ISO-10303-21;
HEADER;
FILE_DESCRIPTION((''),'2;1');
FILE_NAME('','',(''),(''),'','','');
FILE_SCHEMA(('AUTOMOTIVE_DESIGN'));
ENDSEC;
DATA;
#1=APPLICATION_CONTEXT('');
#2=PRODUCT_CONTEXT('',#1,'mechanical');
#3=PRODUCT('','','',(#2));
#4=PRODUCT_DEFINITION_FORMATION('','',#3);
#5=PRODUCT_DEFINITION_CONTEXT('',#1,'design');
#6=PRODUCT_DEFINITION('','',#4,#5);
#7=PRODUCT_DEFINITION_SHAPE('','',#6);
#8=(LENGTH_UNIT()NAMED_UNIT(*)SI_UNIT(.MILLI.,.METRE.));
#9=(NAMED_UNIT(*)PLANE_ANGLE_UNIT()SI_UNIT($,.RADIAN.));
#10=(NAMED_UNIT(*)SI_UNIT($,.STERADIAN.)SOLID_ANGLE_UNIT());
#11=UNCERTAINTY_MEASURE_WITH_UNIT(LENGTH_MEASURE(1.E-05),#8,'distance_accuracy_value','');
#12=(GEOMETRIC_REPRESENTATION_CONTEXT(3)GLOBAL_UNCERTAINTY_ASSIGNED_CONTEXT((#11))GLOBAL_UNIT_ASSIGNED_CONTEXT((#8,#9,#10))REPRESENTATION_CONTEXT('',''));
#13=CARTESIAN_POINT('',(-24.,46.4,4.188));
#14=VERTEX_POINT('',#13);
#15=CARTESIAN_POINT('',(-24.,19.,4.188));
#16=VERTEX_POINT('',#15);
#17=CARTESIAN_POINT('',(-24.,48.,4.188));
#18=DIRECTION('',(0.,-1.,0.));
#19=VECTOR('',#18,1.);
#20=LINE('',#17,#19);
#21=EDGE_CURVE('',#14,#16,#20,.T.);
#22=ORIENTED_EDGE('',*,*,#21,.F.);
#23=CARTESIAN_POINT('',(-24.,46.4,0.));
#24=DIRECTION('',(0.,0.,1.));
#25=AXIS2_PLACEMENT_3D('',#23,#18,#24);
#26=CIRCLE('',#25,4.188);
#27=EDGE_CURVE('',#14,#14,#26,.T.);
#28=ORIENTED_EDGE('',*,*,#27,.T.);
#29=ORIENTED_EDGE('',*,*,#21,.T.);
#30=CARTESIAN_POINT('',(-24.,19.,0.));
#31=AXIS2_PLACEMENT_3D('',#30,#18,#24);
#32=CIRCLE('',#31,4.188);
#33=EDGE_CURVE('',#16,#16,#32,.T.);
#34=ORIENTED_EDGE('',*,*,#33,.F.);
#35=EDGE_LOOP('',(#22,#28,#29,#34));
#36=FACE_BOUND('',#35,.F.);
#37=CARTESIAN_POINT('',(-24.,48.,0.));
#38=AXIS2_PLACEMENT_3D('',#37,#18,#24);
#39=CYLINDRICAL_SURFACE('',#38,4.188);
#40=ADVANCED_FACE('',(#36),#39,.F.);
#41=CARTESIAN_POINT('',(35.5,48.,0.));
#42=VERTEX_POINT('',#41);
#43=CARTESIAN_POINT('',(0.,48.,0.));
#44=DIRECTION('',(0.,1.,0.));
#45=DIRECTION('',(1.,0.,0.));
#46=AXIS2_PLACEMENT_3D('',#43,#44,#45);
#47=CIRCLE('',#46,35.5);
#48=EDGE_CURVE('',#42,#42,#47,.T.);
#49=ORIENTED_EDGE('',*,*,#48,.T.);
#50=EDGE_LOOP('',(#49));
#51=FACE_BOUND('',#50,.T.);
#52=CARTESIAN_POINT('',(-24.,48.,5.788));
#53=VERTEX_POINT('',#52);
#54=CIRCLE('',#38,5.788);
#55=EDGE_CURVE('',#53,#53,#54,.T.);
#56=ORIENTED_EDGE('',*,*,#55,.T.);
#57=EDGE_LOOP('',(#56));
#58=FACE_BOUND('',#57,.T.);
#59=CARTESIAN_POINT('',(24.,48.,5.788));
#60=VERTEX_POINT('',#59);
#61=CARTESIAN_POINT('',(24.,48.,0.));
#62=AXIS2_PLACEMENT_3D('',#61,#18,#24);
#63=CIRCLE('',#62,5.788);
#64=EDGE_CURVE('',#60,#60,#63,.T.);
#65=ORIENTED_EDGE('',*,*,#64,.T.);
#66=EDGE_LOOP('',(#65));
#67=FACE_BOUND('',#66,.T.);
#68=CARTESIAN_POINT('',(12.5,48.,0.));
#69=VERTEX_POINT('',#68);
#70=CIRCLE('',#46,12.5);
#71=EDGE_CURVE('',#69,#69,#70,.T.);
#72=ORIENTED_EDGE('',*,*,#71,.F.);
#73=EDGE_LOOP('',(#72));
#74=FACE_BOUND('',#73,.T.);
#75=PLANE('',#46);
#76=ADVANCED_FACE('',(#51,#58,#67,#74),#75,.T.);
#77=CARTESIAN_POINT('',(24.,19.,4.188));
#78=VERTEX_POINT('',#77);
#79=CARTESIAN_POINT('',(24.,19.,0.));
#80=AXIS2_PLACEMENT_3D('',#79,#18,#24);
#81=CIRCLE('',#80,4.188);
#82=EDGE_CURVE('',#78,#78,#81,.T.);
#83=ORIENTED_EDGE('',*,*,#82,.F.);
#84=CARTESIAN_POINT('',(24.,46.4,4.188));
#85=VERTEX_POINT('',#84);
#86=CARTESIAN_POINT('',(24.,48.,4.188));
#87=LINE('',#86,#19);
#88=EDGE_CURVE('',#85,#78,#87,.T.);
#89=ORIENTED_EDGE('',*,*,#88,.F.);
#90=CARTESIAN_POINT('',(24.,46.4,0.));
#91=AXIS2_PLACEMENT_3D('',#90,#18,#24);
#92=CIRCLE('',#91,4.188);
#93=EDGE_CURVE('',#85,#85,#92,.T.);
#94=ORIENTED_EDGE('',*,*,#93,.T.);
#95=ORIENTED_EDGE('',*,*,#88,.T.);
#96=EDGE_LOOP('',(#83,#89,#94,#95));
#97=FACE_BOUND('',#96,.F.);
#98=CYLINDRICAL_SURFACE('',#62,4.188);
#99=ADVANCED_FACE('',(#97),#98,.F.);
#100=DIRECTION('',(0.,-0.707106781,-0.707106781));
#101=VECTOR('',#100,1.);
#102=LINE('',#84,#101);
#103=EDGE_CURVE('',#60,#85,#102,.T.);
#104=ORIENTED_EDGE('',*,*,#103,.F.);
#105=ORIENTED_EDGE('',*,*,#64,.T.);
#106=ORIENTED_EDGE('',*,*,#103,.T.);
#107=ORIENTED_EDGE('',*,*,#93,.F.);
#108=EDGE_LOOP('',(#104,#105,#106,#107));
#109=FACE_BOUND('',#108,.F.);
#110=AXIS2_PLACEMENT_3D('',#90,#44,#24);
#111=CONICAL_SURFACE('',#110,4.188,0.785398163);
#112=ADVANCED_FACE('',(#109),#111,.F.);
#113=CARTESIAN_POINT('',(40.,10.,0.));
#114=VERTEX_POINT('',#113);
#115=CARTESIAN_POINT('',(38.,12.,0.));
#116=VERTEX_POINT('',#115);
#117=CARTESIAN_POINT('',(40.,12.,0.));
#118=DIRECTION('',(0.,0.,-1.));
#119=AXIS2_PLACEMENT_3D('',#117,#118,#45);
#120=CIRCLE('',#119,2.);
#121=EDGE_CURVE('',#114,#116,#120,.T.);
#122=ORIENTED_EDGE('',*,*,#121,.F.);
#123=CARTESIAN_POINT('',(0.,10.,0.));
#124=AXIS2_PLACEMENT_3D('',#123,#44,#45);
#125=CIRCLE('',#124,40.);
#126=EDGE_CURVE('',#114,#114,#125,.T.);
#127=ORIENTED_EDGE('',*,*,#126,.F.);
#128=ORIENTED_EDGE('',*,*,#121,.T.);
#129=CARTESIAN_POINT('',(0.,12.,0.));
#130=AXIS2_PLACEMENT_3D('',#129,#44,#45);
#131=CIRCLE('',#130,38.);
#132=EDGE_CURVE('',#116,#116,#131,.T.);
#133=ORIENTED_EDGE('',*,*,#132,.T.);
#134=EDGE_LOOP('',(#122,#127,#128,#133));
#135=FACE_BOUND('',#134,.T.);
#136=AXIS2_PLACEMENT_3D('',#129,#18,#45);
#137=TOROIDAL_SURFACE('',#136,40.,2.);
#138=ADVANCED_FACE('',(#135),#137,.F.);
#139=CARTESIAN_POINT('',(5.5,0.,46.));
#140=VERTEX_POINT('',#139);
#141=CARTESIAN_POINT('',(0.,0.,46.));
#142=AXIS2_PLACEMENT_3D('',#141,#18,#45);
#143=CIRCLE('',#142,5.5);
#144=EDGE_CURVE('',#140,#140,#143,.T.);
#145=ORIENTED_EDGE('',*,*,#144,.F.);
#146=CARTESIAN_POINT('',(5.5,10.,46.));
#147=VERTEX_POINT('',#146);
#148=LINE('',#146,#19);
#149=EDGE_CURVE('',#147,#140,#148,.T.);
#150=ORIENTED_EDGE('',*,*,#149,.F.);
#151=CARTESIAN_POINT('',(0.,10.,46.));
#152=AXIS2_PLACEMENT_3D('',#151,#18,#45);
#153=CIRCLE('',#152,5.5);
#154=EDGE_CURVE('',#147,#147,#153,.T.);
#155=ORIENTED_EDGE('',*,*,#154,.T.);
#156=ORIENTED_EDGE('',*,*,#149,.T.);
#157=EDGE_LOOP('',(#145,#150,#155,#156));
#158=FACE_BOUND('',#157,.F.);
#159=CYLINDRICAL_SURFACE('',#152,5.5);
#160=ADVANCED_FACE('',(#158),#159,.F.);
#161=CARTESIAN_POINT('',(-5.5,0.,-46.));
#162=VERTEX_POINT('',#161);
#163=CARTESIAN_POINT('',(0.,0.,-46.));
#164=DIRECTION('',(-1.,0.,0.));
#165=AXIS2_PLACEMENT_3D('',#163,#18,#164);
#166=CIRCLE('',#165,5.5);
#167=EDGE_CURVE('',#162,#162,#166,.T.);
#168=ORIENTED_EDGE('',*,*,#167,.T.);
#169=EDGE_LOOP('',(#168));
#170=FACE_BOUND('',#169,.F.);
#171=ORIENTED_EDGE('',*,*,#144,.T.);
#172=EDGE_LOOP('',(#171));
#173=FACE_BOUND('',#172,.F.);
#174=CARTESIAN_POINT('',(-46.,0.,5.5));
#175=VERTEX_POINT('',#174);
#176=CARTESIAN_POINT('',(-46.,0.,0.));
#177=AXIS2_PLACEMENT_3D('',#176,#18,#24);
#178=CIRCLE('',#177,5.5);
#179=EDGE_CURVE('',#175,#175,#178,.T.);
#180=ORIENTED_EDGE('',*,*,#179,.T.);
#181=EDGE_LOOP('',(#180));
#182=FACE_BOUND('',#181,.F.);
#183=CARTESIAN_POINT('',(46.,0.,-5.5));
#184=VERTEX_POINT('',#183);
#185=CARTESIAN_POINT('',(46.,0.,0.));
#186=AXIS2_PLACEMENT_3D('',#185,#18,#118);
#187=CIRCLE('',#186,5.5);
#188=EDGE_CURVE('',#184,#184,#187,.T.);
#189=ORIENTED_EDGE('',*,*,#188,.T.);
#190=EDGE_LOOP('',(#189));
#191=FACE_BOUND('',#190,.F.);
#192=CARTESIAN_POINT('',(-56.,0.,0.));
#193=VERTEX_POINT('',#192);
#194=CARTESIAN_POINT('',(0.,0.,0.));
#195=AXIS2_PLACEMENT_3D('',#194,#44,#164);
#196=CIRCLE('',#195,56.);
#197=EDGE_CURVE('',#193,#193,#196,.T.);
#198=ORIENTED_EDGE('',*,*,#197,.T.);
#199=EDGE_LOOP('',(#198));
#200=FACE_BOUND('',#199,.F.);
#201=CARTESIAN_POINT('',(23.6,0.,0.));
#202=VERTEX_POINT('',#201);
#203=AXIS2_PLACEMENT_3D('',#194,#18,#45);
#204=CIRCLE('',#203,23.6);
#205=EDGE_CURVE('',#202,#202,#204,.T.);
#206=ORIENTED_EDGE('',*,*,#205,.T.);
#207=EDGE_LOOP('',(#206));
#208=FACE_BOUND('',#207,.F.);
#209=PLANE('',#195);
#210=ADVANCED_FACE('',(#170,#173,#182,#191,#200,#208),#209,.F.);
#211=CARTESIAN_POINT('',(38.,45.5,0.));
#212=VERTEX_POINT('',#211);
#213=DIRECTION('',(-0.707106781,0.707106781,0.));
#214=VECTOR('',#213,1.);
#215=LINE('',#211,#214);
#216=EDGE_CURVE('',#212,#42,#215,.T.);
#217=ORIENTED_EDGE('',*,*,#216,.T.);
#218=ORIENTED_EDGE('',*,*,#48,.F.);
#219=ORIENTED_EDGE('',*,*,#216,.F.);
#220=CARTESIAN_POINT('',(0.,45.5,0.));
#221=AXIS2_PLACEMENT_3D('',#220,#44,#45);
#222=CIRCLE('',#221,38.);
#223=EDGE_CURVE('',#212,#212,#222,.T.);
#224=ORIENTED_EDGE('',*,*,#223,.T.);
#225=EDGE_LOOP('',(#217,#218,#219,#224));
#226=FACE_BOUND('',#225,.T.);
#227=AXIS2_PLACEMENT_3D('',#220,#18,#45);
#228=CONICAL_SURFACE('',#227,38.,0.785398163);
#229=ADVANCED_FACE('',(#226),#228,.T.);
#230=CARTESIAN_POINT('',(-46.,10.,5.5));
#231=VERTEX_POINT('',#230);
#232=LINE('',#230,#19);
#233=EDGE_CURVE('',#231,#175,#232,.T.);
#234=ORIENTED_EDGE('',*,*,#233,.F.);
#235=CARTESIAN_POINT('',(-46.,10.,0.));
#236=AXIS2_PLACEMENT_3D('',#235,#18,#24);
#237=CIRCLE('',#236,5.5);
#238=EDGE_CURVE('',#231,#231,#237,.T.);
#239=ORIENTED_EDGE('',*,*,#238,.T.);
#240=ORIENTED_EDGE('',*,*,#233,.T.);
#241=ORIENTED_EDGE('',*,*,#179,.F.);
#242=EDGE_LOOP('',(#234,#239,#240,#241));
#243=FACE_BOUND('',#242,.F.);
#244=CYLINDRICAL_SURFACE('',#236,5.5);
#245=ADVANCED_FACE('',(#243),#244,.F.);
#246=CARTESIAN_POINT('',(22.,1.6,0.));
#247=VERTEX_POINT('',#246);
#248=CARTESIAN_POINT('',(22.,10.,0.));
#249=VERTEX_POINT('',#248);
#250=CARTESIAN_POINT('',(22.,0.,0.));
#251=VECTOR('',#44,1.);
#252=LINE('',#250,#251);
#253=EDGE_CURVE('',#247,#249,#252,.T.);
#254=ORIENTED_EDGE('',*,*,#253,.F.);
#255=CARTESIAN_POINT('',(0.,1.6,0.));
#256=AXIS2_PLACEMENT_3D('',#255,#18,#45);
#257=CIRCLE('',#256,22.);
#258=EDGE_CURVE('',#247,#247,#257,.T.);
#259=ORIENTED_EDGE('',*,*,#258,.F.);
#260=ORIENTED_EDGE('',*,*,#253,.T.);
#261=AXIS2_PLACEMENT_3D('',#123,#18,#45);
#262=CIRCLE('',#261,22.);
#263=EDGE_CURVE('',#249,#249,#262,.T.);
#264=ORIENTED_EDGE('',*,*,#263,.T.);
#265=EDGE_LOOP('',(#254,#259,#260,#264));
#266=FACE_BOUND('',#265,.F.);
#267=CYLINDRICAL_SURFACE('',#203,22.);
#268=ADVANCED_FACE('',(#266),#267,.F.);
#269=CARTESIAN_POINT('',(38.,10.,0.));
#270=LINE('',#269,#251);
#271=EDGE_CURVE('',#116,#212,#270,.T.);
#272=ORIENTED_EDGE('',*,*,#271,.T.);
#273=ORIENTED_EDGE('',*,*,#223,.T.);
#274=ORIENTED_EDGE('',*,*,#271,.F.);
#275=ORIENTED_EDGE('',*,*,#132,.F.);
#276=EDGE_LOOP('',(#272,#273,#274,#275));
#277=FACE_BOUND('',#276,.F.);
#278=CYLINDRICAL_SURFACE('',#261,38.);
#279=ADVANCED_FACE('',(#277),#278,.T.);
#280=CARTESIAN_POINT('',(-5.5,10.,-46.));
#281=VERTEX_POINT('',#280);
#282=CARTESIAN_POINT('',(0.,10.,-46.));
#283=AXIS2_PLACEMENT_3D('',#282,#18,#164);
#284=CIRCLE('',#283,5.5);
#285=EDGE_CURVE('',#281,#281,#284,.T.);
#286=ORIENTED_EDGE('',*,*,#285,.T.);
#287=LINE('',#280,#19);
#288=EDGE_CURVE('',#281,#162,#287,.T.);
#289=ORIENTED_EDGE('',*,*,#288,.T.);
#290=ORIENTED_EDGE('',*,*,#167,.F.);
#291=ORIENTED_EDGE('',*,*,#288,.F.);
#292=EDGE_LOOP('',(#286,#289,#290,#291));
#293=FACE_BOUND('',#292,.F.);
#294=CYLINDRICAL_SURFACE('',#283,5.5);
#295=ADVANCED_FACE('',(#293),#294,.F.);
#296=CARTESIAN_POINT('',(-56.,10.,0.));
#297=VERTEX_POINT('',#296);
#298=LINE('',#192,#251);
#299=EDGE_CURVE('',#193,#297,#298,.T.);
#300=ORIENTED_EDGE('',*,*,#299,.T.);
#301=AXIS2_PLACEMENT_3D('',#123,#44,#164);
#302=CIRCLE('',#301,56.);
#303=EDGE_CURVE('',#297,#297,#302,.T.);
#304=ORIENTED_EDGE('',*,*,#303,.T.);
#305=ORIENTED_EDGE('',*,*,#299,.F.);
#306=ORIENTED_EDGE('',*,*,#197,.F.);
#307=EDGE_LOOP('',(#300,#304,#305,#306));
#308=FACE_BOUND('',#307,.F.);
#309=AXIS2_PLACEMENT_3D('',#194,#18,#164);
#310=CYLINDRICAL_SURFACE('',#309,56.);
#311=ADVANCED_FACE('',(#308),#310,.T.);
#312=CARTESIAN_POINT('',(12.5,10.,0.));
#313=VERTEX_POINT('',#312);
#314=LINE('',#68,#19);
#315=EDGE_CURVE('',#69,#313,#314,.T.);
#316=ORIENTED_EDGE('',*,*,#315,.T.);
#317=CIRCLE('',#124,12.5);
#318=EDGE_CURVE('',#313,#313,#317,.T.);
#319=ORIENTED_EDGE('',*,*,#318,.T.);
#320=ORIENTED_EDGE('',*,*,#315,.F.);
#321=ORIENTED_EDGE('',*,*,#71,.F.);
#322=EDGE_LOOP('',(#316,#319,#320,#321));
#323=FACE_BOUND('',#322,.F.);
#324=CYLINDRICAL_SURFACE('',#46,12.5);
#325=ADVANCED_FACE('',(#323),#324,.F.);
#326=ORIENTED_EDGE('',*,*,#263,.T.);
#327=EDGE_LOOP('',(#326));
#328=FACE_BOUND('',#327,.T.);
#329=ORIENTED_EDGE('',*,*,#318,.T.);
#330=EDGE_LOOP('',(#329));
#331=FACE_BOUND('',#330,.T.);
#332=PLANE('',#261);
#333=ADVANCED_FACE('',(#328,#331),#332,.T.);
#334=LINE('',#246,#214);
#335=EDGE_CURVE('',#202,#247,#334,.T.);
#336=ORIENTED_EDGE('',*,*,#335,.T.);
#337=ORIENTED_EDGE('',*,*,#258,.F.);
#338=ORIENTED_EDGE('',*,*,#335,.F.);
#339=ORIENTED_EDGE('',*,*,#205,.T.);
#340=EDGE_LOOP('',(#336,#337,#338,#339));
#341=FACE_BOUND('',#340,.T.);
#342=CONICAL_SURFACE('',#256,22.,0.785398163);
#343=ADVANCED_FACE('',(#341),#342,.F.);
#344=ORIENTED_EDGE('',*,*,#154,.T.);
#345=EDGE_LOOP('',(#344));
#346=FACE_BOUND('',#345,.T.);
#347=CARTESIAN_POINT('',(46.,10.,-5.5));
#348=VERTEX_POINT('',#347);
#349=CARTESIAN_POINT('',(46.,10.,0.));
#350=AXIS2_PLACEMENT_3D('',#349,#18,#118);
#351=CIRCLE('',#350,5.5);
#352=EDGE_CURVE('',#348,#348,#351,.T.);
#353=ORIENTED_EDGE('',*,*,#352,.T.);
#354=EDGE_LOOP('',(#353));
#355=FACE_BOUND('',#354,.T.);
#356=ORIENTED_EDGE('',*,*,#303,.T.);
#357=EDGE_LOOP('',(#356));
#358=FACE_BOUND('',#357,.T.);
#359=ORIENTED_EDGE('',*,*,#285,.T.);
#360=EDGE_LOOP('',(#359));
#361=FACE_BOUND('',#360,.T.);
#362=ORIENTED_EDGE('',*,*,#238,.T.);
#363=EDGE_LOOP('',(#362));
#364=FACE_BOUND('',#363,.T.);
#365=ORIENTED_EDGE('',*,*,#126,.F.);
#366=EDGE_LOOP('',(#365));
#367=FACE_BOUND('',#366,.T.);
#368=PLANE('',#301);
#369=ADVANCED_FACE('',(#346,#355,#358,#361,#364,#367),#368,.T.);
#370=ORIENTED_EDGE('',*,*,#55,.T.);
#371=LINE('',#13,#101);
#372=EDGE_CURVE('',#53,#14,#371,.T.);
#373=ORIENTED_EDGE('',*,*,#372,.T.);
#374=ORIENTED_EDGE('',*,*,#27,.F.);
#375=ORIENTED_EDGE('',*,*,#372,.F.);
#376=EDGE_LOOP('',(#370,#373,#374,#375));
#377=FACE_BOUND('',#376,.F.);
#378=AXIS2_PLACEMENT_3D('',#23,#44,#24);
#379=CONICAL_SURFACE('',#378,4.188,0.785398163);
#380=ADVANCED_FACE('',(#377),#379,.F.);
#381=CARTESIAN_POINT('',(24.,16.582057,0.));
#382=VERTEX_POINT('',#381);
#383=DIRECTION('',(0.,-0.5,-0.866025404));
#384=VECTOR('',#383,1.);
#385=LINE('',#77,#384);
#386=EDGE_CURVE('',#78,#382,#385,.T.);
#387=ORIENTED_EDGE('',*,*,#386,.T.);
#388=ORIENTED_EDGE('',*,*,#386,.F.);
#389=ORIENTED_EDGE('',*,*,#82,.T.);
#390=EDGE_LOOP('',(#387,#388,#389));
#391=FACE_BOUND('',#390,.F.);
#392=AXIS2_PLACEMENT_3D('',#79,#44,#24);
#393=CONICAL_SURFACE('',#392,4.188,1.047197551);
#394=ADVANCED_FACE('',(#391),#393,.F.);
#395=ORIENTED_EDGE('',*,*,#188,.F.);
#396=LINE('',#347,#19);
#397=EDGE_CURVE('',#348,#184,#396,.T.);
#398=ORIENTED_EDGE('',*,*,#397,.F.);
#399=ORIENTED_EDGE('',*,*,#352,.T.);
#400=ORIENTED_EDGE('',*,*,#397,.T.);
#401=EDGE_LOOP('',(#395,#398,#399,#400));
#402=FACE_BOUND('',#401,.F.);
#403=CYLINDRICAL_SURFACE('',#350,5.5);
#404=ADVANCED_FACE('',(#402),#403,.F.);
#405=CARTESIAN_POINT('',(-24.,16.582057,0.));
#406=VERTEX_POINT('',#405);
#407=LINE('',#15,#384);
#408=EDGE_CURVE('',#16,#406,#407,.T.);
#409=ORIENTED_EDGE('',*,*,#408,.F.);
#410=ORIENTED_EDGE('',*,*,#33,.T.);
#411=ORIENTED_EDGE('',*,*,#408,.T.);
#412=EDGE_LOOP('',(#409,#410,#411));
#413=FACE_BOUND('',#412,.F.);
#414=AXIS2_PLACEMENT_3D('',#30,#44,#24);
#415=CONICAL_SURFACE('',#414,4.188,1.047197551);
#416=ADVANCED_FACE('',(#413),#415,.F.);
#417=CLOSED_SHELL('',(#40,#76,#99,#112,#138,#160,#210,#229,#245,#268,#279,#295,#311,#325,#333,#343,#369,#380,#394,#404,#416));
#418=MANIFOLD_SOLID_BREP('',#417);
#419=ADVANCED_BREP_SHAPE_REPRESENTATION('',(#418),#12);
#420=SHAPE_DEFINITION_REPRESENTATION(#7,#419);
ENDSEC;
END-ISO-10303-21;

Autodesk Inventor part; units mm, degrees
ref_plane "YZ Plane" through (0, 0, 0) normal (1, 0, 0) x (0, 1, 0)
ref_plane "XZ Plane" through (0, 0, 0) normal (0, 1, 0) x (-1, 0, 0)
ref_plane "XY Plane" through (0, 0, 0) normal (0, 0, 1) x (1, 0, 0)
sketch "Эскиз1" plane through (0, 0, 0) normal (0, 1, 0) x (-1, 0, 0)
  circle A0 centre (0, 0) radius 56
  dimension "d0" = 112
extrude "Выдавливание1" add sketch "Эскиз1" along normal blind 10
sketch "Эскиз2" plane through (0, 10, 0) normal (0, 1, 0) x (1, 0, 0)
  circle A0 centre (0, 0) radius 38
  dimension "d3" = 76
extrude "Выдавливание2" add sketch "Эскиз2" along normal blind 38
sketch "Эскиз3" plane through (0, 10, 0) normal (0, 1, 0) x (1, 0, 0)
  point P0 (0, 0)
  point P1 (-46, 0)
  dimension "d8" = 46
hole "Отверстие1" at (-46, 10, 0) direction (0, -1, 0) diameter 11 end through all
pattern_circular "Круговой массив1" count 4 over 360 about axis through (0, -10, 0) along (0, 1, 0) of "Отверстие1"
sketch "Эскиз4" plane through (0, 0, 0) normal (0, -1, 0) x (1, 0, 0)
  circle A0 centre (0, 0) radius 22
  dimension "d19" = 44
extrude "Выдавливание3" cut sketch "Эскиз4" against normal blind 10
sketch "Эскиз5" plane through (0, 48, 0) normal (0, 1, 0) x (1, 0, 0)
  circle A0 centre (0, 0) radius 12.5
  dimension "d22" = 25
extrude "Выдавливание4" cut sketch "Эскиз5" against normal through all
fillet "Сопряжение1" radius 2 1 edges at (-38, 10, 0)
chamfer "Фаска1" distance 1.6 angle 45 1 edges at (-22, 0, 0)
chamfer "Фаска2" distance 2.5 angle 45 1 edges at (-38, 48, 0)
sketch "Эскиз6" plane through (0, 48, 0) normal (0, 1, 0) x (1, 0, 0)
  point P0 (0, 0)
  point P1 (-24, 0)
  point P2 (24, 0)
  dimension "d32" = 24
  dimension "d33" = 48
hole "Отверстие2" at (-24, 48, 0) at (24, 48, 0) direction (0, -1, 0) diameter 8.376 depth 29 tip angle 120 thread size "M10x1.5" class "6H" standard "ISO Metric profile"
chamfer "Фаска3" distance 1.6 angle 45 2 edges at (-24, 48, -4.188) (24, 48, -4.188)
properties part number "Фланецц"
